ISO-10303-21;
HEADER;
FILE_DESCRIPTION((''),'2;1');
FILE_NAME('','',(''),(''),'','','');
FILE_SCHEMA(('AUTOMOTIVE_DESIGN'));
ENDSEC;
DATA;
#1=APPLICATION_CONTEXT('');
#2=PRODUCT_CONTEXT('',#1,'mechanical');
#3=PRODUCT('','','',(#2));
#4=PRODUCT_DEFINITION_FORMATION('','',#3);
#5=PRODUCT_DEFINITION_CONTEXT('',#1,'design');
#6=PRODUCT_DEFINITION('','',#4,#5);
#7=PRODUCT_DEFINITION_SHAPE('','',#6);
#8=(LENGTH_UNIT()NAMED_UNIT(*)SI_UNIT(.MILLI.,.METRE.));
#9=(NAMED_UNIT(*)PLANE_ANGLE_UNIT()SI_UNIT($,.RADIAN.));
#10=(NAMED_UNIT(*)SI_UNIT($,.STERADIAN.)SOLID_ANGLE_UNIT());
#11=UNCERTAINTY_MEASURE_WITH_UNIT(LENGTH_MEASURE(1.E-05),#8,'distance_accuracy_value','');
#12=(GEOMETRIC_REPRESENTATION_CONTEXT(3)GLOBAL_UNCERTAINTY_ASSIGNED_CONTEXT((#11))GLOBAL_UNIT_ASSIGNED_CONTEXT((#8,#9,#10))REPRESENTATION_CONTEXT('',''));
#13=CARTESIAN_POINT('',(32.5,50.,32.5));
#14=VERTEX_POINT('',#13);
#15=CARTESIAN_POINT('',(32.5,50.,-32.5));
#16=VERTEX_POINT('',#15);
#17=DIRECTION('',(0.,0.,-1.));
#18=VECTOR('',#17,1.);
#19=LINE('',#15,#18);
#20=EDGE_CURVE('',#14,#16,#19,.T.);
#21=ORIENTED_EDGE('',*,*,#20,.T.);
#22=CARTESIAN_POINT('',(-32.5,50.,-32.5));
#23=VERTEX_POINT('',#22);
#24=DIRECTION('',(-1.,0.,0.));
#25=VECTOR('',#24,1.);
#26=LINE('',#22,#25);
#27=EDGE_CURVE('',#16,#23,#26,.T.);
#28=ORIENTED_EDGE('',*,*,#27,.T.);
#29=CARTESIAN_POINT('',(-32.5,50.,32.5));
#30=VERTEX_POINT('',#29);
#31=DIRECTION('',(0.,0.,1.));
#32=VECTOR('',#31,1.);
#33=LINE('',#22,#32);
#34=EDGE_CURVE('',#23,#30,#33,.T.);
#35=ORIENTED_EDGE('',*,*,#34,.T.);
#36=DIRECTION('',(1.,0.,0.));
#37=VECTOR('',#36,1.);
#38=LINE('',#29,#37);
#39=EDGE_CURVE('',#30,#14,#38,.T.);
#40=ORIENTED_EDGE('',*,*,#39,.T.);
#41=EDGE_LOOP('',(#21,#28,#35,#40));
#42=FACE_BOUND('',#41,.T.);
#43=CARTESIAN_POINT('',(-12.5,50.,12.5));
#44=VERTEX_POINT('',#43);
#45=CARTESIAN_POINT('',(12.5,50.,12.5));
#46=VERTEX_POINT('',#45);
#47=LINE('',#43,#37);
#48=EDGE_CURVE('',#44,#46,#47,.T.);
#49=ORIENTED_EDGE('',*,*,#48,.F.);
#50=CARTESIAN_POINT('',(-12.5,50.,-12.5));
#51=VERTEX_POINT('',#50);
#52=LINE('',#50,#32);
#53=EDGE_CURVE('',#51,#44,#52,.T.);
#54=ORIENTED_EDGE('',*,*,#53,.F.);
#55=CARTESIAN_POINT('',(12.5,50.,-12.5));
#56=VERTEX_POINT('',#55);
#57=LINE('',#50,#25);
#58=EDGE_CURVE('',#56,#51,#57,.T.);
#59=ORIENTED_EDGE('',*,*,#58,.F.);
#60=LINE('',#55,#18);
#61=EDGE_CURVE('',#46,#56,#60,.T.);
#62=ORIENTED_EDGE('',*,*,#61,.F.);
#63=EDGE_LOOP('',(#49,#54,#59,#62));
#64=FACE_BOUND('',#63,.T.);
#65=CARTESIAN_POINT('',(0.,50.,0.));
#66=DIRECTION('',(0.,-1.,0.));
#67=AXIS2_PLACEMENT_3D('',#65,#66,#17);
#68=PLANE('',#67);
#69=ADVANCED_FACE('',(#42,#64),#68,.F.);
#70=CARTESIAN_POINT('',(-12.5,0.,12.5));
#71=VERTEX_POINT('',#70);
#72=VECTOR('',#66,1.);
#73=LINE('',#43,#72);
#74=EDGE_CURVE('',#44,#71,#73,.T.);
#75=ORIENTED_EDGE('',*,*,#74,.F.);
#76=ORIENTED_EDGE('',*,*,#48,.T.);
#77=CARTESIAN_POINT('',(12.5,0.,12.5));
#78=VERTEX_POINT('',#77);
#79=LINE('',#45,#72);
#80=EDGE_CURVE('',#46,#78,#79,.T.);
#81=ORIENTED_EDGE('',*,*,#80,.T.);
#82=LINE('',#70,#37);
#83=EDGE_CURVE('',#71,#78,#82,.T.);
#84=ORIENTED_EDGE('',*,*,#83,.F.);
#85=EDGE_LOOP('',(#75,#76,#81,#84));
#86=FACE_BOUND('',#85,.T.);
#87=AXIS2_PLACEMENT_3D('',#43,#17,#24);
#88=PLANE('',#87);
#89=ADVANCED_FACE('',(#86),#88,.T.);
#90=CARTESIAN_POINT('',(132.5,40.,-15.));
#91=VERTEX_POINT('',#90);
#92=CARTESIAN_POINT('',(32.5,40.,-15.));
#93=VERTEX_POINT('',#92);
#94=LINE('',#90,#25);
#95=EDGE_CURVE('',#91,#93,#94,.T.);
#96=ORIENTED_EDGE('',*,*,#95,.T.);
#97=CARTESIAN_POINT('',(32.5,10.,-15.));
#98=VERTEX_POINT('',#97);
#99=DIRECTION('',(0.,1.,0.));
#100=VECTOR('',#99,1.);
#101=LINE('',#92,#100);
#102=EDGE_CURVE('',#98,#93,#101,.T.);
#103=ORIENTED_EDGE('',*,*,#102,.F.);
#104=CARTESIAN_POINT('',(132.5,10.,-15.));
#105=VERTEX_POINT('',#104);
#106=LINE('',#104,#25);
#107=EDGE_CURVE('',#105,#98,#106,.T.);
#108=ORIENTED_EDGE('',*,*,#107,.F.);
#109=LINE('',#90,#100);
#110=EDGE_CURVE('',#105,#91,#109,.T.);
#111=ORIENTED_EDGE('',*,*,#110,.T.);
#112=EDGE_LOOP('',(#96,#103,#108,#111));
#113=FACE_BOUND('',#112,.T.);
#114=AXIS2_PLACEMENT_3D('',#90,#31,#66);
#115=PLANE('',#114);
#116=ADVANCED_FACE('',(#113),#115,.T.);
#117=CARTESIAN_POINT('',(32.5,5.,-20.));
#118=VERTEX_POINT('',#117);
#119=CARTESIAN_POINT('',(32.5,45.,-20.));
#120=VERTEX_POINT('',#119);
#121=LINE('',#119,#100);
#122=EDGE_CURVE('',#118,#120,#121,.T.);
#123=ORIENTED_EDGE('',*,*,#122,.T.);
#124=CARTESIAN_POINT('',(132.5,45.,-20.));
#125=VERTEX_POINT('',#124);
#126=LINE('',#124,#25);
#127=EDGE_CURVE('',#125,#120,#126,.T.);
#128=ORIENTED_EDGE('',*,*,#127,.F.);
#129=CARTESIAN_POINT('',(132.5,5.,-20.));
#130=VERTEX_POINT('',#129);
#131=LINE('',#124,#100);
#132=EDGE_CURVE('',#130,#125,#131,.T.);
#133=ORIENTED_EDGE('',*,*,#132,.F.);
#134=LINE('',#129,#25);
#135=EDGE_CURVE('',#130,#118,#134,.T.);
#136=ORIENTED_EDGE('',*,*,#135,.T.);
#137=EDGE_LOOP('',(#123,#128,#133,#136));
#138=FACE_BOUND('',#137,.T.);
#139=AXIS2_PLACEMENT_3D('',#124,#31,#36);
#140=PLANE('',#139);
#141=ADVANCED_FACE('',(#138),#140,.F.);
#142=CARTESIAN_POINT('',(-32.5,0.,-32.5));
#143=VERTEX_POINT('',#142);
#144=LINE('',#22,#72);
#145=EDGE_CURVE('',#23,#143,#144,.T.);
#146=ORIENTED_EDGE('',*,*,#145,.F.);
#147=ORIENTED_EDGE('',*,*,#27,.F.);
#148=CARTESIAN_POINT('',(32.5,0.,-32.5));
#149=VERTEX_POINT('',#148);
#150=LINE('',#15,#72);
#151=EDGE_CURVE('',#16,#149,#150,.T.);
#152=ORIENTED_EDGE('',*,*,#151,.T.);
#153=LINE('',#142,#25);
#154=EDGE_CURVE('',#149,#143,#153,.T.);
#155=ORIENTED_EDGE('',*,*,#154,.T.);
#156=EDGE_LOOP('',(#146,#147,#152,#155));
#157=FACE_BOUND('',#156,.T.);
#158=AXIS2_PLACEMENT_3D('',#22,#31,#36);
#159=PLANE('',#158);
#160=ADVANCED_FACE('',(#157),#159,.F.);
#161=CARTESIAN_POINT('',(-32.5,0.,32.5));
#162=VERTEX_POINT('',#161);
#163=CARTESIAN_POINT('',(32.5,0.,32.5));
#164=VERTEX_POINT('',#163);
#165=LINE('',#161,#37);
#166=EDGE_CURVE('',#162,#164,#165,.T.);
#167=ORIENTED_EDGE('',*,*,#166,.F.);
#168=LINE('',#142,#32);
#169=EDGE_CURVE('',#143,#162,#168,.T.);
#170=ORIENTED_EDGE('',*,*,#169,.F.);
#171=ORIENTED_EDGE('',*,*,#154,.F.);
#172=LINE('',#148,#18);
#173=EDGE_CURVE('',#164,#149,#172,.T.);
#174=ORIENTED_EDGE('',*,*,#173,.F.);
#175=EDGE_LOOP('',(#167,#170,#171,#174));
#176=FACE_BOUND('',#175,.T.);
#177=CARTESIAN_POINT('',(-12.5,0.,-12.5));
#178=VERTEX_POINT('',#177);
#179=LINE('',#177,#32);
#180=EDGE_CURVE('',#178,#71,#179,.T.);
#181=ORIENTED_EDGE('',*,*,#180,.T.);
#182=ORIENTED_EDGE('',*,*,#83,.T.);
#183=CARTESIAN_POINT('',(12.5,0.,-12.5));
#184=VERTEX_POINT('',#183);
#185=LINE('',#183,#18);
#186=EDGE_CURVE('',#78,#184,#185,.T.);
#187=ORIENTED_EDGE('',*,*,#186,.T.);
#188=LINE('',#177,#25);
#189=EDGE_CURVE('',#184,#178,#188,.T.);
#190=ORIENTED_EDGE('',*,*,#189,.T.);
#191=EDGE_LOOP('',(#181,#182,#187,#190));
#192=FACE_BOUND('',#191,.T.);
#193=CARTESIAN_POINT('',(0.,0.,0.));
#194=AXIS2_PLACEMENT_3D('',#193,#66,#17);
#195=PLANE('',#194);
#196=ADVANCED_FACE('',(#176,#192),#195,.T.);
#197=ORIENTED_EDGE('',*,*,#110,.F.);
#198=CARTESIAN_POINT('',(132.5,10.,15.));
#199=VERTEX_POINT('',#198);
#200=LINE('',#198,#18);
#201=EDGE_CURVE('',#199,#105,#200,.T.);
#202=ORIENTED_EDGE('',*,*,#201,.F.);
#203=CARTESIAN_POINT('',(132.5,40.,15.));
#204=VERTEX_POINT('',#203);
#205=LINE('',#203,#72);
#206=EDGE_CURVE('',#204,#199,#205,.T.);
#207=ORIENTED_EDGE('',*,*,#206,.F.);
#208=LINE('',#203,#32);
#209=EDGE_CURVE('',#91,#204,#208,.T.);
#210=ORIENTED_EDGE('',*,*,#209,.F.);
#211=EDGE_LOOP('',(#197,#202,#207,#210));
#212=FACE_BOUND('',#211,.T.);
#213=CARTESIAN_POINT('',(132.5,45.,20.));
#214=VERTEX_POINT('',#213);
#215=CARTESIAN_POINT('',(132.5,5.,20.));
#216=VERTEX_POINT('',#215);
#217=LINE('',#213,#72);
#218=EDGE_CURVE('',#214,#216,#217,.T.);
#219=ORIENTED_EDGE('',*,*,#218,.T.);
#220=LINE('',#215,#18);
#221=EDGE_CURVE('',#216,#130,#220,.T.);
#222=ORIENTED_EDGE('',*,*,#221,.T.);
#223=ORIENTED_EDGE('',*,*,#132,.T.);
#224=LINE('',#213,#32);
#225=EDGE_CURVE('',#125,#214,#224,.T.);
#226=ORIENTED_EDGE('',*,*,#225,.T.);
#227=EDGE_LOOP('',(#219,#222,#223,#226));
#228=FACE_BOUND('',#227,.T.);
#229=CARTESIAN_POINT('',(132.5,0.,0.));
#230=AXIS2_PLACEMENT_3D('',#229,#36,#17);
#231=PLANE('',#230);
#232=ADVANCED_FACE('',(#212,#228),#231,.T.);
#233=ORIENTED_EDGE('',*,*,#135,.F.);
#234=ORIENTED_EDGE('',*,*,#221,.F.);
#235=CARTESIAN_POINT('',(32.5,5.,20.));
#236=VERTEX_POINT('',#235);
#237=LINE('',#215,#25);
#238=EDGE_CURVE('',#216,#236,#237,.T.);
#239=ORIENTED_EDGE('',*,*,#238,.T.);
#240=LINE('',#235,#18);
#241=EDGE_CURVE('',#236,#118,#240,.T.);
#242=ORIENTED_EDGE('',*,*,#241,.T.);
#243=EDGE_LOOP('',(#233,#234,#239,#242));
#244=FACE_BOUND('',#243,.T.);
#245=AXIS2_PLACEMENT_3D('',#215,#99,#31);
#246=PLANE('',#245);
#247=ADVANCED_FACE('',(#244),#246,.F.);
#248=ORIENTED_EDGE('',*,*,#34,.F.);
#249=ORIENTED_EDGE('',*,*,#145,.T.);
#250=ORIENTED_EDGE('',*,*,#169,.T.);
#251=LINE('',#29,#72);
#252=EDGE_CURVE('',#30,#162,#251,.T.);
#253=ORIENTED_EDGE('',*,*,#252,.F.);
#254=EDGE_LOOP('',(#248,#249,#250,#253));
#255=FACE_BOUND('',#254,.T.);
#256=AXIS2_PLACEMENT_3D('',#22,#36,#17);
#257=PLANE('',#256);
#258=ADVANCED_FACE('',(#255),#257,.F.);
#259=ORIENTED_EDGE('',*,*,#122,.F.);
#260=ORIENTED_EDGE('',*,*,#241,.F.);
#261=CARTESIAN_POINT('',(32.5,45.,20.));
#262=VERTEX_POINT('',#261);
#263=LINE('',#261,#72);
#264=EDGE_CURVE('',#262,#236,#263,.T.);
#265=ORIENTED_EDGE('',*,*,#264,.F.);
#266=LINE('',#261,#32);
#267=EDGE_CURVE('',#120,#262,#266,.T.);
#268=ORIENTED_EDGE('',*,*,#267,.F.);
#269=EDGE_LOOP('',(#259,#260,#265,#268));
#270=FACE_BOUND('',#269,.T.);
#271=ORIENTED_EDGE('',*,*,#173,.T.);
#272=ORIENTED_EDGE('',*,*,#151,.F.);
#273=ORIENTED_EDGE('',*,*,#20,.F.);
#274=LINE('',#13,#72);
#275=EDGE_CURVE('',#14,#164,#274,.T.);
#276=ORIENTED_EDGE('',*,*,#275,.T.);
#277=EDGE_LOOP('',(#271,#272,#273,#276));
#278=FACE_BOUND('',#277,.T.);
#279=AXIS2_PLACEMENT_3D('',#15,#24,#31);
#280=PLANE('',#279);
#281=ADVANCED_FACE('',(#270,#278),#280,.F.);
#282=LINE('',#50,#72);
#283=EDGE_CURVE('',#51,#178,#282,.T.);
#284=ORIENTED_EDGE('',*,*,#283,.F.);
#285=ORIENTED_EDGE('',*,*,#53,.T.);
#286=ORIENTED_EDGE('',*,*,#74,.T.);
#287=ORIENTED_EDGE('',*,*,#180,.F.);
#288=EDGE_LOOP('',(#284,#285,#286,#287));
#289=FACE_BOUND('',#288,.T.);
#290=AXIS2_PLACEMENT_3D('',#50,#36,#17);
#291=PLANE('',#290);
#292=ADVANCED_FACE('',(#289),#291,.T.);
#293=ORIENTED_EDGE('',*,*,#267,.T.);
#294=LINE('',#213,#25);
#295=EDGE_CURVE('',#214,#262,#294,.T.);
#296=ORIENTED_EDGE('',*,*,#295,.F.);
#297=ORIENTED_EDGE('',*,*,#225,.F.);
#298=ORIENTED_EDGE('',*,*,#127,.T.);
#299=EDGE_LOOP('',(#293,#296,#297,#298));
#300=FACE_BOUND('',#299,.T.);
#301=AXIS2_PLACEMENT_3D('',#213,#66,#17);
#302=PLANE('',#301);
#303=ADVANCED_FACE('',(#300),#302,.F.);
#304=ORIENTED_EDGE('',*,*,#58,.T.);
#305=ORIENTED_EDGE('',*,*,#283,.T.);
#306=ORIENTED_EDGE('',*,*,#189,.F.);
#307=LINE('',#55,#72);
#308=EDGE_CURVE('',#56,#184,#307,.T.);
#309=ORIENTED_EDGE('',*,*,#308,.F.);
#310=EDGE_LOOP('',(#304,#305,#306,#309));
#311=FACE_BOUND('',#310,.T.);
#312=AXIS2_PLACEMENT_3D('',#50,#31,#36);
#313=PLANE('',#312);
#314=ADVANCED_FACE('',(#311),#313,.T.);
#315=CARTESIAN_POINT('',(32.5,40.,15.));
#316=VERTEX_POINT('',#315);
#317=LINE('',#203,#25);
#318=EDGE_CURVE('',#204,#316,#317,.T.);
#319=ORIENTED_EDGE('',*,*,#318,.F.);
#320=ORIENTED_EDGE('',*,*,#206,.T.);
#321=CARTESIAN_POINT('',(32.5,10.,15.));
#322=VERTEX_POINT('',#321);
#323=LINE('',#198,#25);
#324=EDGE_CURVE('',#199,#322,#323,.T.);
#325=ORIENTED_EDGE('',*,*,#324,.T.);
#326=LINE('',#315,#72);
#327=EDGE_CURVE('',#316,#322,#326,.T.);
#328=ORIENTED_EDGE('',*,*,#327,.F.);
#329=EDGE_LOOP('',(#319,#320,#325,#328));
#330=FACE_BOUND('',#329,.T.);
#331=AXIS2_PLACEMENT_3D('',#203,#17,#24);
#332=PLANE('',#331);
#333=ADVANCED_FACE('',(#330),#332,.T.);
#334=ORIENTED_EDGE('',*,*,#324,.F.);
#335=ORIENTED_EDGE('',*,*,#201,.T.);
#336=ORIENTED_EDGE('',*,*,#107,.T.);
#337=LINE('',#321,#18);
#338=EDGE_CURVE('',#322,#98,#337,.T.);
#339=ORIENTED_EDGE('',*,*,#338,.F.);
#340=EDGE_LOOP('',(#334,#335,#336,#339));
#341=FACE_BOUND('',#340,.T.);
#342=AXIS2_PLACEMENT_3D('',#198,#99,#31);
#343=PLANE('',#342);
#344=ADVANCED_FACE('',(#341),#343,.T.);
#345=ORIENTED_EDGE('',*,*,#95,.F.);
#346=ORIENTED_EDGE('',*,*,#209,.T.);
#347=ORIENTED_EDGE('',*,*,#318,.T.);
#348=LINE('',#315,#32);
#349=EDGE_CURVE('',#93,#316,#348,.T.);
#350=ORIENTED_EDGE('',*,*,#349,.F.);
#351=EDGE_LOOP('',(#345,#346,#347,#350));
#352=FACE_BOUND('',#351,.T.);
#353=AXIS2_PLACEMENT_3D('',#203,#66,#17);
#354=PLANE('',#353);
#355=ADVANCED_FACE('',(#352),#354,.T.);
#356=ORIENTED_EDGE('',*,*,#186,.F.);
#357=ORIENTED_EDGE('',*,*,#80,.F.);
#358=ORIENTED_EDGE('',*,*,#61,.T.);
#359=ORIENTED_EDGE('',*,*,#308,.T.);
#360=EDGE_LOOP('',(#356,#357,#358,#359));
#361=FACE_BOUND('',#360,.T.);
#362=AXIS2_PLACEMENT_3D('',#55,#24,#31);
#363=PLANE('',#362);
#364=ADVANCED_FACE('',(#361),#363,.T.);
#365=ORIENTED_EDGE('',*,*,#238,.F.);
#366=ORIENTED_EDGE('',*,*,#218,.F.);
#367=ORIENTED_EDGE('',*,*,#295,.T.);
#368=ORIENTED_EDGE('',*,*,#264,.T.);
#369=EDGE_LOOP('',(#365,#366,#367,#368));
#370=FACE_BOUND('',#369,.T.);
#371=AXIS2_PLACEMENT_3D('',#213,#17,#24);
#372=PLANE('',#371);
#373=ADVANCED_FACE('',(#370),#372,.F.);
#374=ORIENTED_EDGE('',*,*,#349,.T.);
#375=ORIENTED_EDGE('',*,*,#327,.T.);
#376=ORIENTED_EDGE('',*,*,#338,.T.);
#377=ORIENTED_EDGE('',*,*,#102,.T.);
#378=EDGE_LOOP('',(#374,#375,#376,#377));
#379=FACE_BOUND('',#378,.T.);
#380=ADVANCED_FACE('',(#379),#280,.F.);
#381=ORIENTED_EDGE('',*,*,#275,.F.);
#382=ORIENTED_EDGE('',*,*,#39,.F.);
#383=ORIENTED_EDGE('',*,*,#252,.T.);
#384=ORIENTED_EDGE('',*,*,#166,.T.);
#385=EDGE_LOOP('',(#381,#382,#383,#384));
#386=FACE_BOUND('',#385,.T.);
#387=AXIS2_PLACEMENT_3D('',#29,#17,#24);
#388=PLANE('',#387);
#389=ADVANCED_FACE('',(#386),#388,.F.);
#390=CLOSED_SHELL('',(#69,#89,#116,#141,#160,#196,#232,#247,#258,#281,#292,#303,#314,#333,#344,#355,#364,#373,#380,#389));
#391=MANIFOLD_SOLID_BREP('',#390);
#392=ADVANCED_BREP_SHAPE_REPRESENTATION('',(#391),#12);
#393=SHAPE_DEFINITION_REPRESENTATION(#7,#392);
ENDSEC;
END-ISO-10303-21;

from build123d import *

# Parameters (mm, degrees)
SKETCH1_W           = 65
SKETCH1_H           = 65
SKETCH1_W_2         = 25
SKETCH1_H_2         = 25
BOSS_EXTRUDE1_DEPTH = 50
SKETCH2_W           = 40
SKETCH2_H           = 40
SKETCH2_W_2         = 30
SKETCH2_H_2         = 30
BOSS_EXTRUDE2_DEPTH = 100


with BuildPart() as part:
    # Sketch1 → Boss-Extrude1 (new body)
    with BuildSketch(Plane(origin=(0, 0, 0), x_dir=(1, 0, 0), z_dir=(0, 1, 0))):
        Rectangle(SKETCH1_W, SKETCH1_H)
        Rectangle(SKETCH1_W_2, SKETCH1_H_2, mode=Mode.SUBTRACT)
    extrude(amount=BOSS_EXTRUDE1_DEPTH)

    # Sketch2 → Boss-Extrude2 (add)
    with BuildSketch(Plane(origin=(32.5, 0, 0), x_dir=(0, 0, -1), z_dir=(1, 0, 0))):
        with Locations((0, 25)):
            Rectangle(SKETCH2_W, SKETCH2_H)
        with Locations((0, 25)):
            Rectangle(SKETCH2_W_2, SKETCH2_H_2, mode=Mode.SUBTRACT)
    extrude(amount=BOSS_EXTRUDE2_DEPTH)


solid = part.part
